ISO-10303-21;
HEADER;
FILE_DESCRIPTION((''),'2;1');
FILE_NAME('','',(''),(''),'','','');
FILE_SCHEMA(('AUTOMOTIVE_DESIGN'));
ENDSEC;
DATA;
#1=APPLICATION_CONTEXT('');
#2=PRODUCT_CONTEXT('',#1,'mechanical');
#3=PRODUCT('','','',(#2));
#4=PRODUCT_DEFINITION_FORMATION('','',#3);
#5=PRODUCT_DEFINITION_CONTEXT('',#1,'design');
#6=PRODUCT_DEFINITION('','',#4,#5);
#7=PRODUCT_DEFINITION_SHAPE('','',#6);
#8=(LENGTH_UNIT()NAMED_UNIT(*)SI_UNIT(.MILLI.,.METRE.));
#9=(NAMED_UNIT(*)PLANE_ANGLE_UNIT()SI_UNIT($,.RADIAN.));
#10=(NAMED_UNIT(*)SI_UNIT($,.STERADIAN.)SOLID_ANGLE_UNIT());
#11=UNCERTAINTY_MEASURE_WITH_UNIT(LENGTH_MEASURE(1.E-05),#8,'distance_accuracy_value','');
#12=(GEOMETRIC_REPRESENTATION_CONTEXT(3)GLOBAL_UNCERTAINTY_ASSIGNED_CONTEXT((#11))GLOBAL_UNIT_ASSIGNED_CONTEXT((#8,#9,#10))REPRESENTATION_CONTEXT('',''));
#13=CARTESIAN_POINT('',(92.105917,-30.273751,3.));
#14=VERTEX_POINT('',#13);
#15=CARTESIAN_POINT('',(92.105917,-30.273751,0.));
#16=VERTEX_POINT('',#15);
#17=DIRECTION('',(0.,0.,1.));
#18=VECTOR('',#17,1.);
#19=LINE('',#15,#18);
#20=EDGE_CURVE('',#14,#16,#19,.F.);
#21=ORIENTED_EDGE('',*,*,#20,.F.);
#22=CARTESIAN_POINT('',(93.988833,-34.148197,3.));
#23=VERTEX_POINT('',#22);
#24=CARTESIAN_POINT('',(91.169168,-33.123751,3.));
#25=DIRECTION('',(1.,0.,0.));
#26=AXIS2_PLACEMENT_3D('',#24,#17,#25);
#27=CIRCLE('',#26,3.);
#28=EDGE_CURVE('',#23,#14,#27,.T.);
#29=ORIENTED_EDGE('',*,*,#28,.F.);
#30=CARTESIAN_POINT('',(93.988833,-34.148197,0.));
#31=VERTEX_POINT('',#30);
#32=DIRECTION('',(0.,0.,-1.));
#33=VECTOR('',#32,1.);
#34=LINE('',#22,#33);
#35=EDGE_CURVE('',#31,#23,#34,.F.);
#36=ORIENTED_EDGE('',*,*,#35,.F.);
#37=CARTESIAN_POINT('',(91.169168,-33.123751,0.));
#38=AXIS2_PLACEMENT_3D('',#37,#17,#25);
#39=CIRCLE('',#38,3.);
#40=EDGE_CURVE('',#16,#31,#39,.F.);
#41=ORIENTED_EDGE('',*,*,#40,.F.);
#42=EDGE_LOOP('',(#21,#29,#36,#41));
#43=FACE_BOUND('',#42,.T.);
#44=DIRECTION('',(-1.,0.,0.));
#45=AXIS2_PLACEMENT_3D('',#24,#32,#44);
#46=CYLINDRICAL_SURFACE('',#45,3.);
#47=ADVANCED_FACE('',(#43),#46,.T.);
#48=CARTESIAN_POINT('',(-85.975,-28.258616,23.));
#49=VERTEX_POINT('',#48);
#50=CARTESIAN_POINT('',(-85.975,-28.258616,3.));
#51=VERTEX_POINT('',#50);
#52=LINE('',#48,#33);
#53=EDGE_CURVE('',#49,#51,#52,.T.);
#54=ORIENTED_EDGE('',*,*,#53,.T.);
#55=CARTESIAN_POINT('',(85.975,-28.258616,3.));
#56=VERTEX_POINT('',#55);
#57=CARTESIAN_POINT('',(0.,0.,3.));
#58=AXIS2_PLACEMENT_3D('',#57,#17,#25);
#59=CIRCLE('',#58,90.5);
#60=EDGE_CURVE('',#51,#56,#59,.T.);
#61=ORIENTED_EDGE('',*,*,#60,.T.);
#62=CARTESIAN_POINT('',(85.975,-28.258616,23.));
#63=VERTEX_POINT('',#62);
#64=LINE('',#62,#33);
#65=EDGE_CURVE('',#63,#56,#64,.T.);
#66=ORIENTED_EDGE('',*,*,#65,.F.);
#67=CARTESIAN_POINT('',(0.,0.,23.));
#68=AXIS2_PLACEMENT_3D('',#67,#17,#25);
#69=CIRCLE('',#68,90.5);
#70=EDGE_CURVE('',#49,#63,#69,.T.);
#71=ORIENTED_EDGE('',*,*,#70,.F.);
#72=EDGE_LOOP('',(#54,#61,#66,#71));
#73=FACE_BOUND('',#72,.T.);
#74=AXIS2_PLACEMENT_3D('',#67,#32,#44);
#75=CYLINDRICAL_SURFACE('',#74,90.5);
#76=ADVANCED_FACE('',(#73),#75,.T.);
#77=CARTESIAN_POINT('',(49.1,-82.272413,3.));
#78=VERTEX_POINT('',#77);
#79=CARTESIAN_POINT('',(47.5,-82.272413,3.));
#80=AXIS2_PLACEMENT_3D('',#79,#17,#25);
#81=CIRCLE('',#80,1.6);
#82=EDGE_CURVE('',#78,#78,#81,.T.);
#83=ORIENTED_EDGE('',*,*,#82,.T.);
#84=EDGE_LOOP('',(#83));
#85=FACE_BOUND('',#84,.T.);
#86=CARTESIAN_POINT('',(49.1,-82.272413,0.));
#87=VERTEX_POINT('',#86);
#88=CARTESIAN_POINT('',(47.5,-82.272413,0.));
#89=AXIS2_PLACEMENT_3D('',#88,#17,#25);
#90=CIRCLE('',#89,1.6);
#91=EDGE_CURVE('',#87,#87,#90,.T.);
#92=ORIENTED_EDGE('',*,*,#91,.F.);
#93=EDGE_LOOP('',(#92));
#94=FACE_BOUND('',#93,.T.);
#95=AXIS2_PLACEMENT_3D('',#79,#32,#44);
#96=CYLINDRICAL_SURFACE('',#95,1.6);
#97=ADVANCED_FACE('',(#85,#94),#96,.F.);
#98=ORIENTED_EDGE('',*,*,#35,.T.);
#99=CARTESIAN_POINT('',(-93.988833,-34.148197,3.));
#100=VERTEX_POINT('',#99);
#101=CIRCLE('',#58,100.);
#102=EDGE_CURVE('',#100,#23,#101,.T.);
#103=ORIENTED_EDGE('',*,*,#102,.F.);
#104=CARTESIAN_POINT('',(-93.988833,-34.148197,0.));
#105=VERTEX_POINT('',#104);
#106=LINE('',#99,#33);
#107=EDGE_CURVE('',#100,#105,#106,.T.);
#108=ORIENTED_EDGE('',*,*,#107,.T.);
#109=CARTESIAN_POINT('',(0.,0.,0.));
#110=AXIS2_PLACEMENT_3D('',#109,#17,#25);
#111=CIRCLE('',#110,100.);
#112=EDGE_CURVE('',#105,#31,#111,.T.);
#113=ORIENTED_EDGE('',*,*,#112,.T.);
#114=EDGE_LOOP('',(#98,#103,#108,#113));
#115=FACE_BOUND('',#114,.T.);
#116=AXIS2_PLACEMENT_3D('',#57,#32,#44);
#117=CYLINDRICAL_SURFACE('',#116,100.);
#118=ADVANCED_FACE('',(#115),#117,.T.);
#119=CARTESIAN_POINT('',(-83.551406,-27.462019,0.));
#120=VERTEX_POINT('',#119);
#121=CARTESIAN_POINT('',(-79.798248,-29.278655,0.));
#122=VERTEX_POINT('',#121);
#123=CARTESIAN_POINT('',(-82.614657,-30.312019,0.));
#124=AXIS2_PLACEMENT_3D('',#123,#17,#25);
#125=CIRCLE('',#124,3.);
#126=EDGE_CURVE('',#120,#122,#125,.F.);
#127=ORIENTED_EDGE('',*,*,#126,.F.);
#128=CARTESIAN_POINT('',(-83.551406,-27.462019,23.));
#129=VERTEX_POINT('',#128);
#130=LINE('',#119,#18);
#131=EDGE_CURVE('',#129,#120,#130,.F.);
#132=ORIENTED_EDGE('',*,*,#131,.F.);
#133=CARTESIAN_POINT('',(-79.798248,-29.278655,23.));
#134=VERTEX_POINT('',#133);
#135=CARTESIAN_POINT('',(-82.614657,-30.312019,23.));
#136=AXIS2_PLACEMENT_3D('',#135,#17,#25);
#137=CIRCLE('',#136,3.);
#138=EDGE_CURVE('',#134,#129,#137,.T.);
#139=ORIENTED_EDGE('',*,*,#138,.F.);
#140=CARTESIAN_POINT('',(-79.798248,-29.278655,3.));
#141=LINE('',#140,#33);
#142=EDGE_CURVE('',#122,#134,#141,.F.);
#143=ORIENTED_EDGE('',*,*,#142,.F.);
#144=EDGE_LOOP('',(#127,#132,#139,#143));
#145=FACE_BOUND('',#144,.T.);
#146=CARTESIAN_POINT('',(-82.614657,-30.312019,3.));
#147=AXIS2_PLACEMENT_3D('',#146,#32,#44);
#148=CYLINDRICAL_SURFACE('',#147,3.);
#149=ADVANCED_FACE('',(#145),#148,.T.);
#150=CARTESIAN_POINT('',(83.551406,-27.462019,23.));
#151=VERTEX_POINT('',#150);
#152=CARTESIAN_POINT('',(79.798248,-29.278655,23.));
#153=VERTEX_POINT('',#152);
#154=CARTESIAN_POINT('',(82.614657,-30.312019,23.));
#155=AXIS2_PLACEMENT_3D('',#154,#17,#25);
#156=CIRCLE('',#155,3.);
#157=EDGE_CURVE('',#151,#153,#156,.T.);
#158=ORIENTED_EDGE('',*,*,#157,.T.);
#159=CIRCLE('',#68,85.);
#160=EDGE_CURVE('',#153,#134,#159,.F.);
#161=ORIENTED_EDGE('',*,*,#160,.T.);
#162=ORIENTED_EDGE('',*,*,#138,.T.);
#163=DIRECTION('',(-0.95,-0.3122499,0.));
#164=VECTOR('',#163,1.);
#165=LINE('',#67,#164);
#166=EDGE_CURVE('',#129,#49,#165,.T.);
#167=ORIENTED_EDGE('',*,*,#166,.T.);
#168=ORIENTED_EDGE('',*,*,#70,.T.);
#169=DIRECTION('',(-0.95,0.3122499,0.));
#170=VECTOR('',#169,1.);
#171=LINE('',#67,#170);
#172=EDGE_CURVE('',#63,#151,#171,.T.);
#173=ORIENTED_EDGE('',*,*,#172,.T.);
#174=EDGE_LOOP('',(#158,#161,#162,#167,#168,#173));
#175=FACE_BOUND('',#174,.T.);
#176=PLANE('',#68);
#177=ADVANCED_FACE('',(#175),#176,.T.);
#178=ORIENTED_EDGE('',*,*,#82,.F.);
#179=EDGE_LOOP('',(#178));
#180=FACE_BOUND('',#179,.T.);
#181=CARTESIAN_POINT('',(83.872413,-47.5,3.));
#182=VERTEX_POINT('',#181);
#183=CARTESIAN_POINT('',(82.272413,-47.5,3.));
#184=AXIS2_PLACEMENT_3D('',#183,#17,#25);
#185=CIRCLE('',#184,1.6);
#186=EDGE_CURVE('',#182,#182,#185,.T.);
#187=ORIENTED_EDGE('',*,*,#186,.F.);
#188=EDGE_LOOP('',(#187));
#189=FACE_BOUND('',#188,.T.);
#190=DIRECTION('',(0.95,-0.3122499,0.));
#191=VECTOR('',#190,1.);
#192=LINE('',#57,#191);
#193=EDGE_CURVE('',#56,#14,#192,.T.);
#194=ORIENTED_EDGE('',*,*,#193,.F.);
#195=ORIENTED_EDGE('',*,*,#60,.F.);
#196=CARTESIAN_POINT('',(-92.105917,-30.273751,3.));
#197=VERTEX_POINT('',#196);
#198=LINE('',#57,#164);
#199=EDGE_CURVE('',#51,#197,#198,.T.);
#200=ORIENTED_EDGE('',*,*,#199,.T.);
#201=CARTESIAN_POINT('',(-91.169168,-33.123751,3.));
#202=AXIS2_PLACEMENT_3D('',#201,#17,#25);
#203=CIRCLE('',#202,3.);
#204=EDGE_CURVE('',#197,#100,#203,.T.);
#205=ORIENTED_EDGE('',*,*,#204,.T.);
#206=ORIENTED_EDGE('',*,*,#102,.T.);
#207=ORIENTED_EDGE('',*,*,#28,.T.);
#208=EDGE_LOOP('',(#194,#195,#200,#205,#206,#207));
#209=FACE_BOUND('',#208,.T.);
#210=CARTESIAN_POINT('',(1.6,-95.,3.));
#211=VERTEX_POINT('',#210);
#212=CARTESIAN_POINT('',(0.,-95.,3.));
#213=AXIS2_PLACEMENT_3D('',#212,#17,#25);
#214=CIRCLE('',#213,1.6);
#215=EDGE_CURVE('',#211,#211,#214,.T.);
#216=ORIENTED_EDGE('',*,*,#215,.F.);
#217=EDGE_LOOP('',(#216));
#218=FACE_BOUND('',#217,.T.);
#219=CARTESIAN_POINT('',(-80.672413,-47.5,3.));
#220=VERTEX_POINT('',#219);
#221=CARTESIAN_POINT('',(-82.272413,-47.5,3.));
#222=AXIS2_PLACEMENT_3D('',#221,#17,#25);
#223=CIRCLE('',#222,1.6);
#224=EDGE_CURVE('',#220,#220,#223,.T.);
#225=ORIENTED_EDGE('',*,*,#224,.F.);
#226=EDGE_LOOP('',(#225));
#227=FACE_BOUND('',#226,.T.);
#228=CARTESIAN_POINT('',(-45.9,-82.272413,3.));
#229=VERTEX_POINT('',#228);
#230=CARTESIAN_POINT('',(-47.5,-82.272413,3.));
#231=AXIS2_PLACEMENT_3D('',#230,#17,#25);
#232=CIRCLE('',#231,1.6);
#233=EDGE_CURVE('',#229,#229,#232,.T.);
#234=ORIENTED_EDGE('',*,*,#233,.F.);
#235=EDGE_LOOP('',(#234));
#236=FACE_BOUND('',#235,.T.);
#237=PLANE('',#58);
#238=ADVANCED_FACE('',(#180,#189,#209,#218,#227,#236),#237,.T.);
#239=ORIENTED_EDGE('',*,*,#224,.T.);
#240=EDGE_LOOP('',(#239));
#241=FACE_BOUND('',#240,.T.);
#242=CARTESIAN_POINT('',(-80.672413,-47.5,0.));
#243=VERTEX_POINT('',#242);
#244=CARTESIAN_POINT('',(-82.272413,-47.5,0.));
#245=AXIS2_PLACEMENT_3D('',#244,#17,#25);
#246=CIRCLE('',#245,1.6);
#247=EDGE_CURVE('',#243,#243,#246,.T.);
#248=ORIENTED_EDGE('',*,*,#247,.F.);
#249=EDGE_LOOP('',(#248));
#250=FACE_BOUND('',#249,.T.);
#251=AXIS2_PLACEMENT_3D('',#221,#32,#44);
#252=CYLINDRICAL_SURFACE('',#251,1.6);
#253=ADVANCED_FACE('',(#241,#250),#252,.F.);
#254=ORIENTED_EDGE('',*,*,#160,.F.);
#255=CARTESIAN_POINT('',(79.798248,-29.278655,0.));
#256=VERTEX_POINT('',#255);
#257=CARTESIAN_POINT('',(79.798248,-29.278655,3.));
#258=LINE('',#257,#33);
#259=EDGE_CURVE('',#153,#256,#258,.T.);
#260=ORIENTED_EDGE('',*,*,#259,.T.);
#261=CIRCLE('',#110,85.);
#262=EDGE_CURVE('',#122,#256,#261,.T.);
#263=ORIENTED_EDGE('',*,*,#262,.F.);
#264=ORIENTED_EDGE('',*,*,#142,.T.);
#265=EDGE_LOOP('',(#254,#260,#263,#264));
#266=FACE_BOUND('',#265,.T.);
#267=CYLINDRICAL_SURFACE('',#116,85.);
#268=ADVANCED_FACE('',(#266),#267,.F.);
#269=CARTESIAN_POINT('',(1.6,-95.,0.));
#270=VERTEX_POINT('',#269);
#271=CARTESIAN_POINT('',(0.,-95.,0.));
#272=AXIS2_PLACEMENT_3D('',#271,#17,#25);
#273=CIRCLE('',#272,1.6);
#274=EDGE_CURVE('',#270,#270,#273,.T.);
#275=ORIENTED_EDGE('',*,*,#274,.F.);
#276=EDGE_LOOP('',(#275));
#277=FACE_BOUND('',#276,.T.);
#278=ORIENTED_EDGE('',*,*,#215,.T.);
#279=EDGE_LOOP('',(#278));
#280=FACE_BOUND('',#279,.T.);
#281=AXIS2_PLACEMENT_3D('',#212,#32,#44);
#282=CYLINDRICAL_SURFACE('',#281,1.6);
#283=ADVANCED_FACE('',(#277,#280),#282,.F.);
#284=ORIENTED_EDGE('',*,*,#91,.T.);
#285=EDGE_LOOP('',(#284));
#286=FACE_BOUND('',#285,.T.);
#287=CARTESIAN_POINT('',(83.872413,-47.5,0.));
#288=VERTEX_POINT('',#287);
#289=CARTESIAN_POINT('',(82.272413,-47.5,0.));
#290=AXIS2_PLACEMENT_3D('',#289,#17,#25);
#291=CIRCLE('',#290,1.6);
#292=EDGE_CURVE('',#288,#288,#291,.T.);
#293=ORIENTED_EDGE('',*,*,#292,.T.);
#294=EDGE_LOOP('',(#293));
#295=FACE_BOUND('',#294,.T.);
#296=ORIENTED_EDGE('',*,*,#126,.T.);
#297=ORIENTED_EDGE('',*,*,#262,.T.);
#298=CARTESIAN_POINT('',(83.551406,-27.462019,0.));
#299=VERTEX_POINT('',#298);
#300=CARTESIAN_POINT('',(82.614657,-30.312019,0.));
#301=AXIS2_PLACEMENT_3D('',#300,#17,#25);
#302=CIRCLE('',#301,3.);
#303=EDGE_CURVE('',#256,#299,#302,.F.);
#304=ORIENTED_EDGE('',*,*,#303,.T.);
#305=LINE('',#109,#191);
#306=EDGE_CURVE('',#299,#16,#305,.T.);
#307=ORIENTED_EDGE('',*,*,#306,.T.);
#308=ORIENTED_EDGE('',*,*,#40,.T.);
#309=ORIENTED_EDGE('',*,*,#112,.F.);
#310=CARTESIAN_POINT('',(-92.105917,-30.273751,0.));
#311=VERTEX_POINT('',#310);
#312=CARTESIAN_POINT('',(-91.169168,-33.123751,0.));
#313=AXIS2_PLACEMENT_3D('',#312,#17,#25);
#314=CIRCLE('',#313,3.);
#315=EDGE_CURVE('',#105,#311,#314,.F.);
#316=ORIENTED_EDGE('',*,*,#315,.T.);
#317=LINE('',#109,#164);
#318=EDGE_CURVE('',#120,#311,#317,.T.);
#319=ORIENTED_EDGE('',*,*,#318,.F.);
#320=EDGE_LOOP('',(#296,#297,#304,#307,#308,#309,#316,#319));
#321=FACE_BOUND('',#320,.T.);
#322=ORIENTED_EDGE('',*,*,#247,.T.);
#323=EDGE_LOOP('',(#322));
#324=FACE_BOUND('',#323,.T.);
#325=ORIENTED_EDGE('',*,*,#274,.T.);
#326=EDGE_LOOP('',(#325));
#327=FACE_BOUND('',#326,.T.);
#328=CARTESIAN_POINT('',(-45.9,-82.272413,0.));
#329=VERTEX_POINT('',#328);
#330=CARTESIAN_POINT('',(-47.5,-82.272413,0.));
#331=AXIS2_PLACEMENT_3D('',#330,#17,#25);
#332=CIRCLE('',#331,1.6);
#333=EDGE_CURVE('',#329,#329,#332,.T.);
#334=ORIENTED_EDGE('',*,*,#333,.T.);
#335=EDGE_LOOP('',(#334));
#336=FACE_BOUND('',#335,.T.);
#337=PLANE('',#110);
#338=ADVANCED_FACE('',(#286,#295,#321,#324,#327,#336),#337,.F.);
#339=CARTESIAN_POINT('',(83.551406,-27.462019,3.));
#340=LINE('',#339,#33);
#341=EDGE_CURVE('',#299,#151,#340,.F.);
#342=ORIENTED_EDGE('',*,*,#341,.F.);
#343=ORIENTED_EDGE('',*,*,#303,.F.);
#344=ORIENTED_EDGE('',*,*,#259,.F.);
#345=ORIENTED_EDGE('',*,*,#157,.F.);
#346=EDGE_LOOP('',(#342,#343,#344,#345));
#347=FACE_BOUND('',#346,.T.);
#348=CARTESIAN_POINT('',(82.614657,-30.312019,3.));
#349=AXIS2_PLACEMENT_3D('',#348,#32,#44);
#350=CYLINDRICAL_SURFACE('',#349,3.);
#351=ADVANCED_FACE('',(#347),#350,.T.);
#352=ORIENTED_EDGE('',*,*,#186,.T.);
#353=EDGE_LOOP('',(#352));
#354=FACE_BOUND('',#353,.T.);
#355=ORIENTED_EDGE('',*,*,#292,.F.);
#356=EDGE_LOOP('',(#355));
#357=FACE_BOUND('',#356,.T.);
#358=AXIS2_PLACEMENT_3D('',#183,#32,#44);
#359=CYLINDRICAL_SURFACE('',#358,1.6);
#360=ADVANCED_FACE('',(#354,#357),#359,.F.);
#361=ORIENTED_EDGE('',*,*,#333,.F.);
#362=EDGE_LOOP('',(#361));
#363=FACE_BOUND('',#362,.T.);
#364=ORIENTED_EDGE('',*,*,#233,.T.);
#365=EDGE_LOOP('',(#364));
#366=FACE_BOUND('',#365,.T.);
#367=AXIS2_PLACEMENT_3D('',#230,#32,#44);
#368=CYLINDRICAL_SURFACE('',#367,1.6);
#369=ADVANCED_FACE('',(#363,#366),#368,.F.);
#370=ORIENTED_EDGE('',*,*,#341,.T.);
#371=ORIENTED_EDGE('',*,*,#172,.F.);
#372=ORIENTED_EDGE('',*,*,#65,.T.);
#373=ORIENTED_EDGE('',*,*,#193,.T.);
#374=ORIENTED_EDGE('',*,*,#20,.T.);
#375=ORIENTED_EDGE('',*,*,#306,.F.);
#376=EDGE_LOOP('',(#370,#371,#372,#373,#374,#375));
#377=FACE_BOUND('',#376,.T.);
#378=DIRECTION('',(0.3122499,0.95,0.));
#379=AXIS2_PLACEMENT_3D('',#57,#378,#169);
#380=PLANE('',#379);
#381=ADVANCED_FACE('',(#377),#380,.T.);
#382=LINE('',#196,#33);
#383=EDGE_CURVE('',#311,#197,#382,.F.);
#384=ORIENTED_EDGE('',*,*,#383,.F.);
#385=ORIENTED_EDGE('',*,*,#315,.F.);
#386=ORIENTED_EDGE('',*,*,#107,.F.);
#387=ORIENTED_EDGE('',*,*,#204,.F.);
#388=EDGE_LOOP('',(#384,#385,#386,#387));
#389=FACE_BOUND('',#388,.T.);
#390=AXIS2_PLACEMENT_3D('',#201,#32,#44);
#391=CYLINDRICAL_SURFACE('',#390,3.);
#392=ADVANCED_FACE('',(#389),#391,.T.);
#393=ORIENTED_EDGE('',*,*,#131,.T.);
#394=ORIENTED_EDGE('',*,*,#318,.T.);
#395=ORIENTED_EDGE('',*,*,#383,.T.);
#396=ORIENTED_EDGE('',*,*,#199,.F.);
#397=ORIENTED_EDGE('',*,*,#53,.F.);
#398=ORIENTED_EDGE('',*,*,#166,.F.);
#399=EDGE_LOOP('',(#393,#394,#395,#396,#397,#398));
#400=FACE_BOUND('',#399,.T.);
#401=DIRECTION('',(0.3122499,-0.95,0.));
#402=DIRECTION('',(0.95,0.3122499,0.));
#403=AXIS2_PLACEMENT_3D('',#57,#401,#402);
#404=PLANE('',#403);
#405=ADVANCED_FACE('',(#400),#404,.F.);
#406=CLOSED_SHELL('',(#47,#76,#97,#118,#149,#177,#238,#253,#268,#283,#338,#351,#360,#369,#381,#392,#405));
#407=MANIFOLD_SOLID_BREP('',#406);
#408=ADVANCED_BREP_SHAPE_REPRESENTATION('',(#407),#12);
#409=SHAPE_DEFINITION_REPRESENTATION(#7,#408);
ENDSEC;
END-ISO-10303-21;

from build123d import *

# Parameters (mm, degrees)
SKETCH_1_R      = 1.6
EXTRUDE_1_DEPTH = 3
EXTRUDE_2_DEPTH = 20
FILLET_1_R      = 3


with BuildPart() as part:
    # 草图1 → 凸台-拉伸1 (new body)
    with BuildSketch(Plane.XY):
        with BuildLine():
            ThreePointArc((80.75, -26.541241493), (0, -85), (-80.75, -26.541241493))
            Line((-80.75, -26.541241493), (-95, -31.224989992))
            ThreePointArc((-95, -31.224989992), (0, -100), (95, -31.224989992))
            Line((95, -31.224989992), (80.75, -26.541241493))
        make_face()
        with Locations((-47.5, -82.27241336)):
            Circle(SKETCH_1_R, mode=Mode.SUBTRACT)
        with Locations((-82.27241336, -47.5)):
            Circle(SKETCH_1_R, mode=Mode.SUBTRACT)
        with Locations((0, -95)):
            Circle(SKETCH_1_R, mode=Mode.SUBTRACT)
        with Locations((47.5, -82.27241336)):
            Circle(SKETCH_1_R, mode=Mode.SUBTRACT)
        with Locations((82.27241336, -47.5)):
            Circle(SKETCH_1_R, mode=Mode.SUBTRACT)
    extrude(amount=EXTRUDE_1_DEPTH)

    # 草图2 → 凸台-拉伸2 (add)
    with BuildSketch(Plane.XY.offset(3)):
        with BuildLine():
            ThreePointArc((80.75, -26.541241493), (0, -85), (-80.75, -26.541241493))
            Line((-80.75, -26.541241493), (-85.975, -28.258615943))
            ThreePointArc((-85.975, -28.258615943), (0, -90.5), (85.975, -28.258615943))
            Line((85.975, -28.258615943), (80.75, -26.541241493))
        make_face()
    extrude(amount=EXTRUDE_2_DEPTH)

    # 圆角1
    fillet_1_edges = [part.edges().sort_by_distance(p)[0] for p in [
        (80.75, -26.541241493, 11.5),
        (95, -31.224989992, 1.5),
        (-95, -31.224989992, 1.5),
        (-80.75, -26.541241493, 11.5),
    ]]
    fillet(fillet_1_edges, radius=FILLET_1_R)


solid = part.part
